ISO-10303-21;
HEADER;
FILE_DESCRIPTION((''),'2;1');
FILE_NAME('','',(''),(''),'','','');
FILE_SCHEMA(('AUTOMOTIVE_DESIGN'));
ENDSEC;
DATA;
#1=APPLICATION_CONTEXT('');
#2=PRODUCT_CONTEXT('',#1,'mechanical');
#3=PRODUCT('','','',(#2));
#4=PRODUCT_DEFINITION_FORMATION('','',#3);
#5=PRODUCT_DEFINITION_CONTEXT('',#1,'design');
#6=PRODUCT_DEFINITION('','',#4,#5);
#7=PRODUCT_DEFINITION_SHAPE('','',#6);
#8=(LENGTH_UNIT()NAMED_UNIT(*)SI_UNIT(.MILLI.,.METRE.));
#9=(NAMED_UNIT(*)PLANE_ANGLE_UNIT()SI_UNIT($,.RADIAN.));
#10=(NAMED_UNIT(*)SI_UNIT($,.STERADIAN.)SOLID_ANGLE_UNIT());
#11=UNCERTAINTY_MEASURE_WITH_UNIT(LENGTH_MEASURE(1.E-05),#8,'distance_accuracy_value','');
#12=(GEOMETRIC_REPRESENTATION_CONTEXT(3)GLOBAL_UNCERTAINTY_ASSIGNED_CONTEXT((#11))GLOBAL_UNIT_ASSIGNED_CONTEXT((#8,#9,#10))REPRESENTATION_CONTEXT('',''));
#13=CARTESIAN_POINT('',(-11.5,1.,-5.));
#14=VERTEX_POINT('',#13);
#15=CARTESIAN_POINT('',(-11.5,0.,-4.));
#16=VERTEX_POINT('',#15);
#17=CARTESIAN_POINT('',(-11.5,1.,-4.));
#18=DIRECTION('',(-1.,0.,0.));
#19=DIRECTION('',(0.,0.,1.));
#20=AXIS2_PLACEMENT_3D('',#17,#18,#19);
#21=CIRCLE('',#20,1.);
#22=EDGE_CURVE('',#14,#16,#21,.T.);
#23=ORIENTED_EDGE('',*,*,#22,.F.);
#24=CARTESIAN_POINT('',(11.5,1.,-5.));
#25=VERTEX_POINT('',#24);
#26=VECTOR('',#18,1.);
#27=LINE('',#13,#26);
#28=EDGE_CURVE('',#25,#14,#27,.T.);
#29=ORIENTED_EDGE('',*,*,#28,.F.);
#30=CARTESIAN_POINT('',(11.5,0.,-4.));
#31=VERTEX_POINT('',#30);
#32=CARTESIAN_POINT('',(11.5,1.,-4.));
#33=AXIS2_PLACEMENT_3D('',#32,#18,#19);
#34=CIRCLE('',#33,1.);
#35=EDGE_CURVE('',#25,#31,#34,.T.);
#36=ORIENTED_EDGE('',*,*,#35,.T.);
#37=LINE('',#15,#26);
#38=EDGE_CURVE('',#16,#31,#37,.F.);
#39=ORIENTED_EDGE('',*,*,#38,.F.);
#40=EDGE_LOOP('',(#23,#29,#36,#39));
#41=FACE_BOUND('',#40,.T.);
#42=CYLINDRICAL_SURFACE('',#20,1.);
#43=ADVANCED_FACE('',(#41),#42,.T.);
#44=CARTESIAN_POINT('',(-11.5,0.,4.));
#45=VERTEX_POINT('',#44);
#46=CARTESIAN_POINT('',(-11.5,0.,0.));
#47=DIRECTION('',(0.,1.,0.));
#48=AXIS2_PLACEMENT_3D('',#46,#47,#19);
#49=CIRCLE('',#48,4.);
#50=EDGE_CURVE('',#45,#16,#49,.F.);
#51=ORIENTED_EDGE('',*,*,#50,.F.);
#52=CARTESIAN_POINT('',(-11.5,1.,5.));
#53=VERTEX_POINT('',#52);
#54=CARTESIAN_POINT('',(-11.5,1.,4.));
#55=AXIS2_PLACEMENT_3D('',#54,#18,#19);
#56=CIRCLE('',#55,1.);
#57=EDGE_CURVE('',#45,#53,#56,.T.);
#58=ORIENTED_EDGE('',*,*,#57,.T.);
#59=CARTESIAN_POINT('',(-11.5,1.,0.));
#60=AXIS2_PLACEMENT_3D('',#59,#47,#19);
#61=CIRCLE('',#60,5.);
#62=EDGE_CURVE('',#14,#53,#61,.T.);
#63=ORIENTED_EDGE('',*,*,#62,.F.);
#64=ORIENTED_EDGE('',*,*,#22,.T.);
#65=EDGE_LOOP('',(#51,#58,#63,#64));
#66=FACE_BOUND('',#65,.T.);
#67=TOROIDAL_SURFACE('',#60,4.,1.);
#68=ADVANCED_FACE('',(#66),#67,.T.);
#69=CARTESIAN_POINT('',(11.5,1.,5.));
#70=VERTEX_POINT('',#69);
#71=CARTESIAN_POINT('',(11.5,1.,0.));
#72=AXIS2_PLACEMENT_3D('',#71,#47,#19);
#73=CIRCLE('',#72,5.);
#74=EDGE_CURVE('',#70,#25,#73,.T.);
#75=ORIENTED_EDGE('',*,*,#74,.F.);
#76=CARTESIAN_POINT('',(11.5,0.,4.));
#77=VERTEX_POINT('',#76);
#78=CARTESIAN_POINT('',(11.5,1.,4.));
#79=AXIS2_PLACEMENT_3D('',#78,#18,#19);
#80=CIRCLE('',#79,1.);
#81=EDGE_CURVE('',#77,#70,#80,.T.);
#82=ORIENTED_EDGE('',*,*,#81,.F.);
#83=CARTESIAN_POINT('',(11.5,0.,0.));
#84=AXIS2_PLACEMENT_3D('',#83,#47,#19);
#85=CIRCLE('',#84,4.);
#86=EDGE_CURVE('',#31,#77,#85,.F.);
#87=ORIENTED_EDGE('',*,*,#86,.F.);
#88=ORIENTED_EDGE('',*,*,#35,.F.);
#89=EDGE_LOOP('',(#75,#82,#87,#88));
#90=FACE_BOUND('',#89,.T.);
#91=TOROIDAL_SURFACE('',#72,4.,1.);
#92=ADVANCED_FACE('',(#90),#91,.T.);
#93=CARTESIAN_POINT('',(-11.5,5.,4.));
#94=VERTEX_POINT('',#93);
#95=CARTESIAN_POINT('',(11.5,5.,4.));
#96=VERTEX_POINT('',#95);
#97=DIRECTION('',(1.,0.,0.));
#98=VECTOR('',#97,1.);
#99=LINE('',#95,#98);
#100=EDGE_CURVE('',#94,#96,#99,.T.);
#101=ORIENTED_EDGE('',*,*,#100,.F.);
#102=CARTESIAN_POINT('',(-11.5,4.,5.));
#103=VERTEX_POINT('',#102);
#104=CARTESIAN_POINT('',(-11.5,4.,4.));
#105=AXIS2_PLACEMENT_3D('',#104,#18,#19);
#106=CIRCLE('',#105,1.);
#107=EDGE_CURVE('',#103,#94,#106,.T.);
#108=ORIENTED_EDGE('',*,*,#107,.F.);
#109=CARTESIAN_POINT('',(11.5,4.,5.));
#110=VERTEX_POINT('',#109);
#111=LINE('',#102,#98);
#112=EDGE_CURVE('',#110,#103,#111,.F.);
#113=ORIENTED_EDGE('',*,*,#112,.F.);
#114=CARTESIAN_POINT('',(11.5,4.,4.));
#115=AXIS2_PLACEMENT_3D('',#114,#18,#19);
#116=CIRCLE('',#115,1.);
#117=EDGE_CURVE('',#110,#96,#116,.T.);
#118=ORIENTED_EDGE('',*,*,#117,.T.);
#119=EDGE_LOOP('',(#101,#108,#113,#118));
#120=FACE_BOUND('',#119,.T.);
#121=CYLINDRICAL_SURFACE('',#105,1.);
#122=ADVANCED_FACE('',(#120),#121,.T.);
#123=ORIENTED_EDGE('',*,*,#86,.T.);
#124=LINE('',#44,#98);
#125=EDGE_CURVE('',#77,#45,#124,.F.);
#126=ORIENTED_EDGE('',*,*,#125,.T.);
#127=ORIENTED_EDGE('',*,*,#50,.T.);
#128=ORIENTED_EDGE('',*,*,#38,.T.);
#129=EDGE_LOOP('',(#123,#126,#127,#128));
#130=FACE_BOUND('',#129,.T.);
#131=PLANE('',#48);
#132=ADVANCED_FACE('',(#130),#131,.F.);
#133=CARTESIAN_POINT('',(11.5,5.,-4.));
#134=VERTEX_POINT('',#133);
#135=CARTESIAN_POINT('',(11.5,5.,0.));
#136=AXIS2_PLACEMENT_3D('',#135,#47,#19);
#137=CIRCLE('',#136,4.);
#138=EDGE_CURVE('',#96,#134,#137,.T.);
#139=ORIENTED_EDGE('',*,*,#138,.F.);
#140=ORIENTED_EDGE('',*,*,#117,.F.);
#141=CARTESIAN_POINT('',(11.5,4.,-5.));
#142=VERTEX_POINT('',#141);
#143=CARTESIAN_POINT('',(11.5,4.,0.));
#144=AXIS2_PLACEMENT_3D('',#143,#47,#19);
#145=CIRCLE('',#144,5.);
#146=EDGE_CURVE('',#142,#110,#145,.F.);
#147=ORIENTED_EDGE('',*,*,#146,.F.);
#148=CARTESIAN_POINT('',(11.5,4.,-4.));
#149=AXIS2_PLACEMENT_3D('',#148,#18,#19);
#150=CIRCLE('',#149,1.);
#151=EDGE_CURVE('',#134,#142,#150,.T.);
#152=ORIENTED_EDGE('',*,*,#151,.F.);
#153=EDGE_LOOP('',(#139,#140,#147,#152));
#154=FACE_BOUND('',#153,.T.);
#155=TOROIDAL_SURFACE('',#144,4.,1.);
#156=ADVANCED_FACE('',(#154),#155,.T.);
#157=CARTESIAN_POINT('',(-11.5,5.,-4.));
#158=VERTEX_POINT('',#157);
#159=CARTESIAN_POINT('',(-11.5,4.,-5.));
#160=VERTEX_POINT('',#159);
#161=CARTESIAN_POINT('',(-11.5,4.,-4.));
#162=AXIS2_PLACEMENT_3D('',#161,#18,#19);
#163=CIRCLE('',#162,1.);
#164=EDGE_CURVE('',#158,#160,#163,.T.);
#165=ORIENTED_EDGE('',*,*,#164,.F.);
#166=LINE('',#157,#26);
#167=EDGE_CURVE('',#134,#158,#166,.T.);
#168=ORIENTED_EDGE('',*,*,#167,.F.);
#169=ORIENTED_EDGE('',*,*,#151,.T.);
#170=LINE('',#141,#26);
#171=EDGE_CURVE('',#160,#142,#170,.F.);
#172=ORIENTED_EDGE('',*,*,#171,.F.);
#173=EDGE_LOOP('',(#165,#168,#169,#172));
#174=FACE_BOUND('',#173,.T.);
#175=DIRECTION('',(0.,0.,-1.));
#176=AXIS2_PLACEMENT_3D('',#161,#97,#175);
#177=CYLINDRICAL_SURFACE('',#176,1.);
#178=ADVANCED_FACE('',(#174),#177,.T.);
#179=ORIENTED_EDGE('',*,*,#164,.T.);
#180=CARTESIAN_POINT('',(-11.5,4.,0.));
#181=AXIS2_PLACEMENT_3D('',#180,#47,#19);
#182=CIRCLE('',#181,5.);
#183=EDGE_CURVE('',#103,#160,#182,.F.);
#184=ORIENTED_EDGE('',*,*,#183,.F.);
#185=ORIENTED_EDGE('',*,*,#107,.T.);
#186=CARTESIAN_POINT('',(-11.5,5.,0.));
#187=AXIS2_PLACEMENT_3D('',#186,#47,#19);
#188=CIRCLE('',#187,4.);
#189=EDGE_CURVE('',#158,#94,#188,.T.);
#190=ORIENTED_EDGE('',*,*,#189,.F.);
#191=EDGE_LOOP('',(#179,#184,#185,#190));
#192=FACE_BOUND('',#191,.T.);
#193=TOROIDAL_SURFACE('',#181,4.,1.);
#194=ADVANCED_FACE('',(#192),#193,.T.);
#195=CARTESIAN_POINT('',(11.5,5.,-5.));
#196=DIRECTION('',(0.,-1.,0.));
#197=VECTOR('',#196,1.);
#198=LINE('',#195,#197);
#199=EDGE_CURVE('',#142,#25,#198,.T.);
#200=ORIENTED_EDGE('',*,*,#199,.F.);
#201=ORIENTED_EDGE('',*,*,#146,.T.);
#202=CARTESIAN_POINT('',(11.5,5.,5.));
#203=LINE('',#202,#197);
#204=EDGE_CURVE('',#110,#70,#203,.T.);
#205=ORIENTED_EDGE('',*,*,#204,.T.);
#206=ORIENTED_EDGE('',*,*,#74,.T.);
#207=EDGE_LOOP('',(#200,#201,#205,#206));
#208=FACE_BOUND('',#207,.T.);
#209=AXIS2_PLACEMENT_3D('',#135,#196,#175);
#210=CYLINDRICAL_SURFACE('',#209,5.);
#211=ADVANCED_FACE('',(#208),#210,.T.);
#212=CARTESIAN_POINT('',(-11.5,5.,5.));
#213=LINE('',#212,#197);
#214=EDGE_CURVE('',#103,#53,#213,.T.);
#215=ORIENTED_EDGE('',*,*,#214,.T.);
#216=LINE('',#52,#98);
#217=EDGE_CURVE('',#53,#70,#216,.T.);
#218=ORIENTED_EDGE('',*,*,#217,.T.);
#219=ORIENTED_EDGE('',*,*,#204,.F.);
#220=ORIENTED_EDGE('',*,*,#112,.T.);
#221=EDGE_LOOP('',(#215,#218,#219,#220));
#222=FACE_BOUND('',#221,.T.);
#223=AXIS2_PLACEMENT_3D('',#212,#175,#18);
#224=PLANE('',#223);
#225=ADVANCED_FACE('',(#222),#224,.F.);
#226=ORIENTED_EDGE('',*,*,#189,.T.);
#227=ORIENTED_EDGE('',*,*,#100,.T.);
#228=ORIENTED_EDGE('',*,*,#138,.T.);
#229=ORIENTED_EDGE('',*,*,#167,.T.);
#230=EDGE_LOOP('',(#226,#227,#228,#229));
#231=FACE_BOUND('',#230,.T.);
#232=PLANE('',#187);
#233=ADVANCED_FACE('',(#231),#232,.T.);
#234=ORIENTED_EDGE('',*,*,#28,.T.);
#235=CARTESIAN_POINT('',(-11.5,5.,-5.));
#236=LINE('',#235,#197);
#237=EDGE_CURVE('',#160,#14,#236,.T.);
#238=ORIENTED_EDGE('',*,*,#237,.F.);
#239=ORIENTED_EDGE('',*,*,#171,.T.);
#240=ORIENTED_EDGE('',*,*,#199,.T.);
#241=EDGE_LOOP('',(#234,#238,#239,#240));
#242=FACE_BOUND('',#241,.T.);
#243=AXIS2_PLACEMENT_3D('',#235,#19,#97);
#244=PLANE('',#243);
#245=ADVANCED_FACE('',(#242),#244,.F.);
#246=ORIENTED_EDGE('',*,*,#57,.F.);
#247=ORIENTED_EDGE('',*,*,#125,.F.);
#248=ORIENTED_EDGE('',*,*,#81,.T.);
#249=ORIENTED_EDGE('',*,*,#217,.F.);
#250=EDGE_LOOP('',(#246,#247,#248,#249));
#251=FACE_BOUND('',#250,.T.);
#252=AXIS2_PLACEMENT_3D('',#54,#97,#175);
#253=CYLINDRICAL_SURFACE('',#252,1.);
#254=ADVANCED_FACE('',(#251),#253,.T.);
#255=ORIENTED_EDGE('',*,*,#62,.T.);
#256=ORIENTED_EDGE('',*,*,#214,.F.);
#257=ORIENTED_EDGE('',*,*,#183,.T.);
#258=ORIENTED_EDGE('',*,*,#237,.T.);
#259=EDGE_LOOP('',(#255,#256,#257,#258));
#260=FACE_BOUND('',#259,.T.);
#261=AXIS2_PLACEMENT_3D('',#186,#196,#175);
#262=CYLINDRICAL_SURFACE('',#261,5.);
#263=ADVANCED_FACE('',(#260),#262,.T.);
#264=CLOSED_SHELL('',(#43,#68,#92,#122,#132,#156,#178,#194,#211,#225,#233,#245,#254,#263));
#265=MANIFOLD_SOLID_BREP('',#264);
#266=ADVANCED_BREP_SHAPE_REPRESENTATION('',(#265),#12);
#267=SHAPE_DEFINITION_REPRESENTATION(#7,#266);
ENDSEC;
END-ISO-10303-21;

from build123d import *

# Parameters (mm, degrees)
BOSS_EXTRUDE1_DEPTH = 5
FILLET1_R           = 1


with BuildPart() as part:
    # Sketch2 → Boss-Extrude1 (new body)
    with BuildSketch(Plane(origin=(0, 0, 0), x_dir=(1, 0, 0), z_dir=(0, 1, 0))):
        with BuildLine():
            Line((-11.5, 5), (11.5, 5))
            ThreePointArc((11.5, 5), (16.5, 0), (11.5, -5))
            Line((11.5, -5), (-11.5, -5))
            ThreePointArc((-11.5, -5), (-16.5, 0), (-11.5, 5))
        make_face()
    extrude(amount=BOSS_EXTRUDE1_DEPTH)

    # Fillet1
    fillet1_edges = [part.edges().sort_by_distance(p)[0] for p in [
        (16.5, 5, 0),
        (0, 5, -5),
        (-16.5, 5, 0),
        (0, 0, -5),
        (16.5, 0, 0),
        (0, 0, 5),
        (-16.5, 0, 0),
        (0, 5, 5),
    ]]
    fillet(fillet1_edges, radius=FILLET1_R)


solid = part.part
